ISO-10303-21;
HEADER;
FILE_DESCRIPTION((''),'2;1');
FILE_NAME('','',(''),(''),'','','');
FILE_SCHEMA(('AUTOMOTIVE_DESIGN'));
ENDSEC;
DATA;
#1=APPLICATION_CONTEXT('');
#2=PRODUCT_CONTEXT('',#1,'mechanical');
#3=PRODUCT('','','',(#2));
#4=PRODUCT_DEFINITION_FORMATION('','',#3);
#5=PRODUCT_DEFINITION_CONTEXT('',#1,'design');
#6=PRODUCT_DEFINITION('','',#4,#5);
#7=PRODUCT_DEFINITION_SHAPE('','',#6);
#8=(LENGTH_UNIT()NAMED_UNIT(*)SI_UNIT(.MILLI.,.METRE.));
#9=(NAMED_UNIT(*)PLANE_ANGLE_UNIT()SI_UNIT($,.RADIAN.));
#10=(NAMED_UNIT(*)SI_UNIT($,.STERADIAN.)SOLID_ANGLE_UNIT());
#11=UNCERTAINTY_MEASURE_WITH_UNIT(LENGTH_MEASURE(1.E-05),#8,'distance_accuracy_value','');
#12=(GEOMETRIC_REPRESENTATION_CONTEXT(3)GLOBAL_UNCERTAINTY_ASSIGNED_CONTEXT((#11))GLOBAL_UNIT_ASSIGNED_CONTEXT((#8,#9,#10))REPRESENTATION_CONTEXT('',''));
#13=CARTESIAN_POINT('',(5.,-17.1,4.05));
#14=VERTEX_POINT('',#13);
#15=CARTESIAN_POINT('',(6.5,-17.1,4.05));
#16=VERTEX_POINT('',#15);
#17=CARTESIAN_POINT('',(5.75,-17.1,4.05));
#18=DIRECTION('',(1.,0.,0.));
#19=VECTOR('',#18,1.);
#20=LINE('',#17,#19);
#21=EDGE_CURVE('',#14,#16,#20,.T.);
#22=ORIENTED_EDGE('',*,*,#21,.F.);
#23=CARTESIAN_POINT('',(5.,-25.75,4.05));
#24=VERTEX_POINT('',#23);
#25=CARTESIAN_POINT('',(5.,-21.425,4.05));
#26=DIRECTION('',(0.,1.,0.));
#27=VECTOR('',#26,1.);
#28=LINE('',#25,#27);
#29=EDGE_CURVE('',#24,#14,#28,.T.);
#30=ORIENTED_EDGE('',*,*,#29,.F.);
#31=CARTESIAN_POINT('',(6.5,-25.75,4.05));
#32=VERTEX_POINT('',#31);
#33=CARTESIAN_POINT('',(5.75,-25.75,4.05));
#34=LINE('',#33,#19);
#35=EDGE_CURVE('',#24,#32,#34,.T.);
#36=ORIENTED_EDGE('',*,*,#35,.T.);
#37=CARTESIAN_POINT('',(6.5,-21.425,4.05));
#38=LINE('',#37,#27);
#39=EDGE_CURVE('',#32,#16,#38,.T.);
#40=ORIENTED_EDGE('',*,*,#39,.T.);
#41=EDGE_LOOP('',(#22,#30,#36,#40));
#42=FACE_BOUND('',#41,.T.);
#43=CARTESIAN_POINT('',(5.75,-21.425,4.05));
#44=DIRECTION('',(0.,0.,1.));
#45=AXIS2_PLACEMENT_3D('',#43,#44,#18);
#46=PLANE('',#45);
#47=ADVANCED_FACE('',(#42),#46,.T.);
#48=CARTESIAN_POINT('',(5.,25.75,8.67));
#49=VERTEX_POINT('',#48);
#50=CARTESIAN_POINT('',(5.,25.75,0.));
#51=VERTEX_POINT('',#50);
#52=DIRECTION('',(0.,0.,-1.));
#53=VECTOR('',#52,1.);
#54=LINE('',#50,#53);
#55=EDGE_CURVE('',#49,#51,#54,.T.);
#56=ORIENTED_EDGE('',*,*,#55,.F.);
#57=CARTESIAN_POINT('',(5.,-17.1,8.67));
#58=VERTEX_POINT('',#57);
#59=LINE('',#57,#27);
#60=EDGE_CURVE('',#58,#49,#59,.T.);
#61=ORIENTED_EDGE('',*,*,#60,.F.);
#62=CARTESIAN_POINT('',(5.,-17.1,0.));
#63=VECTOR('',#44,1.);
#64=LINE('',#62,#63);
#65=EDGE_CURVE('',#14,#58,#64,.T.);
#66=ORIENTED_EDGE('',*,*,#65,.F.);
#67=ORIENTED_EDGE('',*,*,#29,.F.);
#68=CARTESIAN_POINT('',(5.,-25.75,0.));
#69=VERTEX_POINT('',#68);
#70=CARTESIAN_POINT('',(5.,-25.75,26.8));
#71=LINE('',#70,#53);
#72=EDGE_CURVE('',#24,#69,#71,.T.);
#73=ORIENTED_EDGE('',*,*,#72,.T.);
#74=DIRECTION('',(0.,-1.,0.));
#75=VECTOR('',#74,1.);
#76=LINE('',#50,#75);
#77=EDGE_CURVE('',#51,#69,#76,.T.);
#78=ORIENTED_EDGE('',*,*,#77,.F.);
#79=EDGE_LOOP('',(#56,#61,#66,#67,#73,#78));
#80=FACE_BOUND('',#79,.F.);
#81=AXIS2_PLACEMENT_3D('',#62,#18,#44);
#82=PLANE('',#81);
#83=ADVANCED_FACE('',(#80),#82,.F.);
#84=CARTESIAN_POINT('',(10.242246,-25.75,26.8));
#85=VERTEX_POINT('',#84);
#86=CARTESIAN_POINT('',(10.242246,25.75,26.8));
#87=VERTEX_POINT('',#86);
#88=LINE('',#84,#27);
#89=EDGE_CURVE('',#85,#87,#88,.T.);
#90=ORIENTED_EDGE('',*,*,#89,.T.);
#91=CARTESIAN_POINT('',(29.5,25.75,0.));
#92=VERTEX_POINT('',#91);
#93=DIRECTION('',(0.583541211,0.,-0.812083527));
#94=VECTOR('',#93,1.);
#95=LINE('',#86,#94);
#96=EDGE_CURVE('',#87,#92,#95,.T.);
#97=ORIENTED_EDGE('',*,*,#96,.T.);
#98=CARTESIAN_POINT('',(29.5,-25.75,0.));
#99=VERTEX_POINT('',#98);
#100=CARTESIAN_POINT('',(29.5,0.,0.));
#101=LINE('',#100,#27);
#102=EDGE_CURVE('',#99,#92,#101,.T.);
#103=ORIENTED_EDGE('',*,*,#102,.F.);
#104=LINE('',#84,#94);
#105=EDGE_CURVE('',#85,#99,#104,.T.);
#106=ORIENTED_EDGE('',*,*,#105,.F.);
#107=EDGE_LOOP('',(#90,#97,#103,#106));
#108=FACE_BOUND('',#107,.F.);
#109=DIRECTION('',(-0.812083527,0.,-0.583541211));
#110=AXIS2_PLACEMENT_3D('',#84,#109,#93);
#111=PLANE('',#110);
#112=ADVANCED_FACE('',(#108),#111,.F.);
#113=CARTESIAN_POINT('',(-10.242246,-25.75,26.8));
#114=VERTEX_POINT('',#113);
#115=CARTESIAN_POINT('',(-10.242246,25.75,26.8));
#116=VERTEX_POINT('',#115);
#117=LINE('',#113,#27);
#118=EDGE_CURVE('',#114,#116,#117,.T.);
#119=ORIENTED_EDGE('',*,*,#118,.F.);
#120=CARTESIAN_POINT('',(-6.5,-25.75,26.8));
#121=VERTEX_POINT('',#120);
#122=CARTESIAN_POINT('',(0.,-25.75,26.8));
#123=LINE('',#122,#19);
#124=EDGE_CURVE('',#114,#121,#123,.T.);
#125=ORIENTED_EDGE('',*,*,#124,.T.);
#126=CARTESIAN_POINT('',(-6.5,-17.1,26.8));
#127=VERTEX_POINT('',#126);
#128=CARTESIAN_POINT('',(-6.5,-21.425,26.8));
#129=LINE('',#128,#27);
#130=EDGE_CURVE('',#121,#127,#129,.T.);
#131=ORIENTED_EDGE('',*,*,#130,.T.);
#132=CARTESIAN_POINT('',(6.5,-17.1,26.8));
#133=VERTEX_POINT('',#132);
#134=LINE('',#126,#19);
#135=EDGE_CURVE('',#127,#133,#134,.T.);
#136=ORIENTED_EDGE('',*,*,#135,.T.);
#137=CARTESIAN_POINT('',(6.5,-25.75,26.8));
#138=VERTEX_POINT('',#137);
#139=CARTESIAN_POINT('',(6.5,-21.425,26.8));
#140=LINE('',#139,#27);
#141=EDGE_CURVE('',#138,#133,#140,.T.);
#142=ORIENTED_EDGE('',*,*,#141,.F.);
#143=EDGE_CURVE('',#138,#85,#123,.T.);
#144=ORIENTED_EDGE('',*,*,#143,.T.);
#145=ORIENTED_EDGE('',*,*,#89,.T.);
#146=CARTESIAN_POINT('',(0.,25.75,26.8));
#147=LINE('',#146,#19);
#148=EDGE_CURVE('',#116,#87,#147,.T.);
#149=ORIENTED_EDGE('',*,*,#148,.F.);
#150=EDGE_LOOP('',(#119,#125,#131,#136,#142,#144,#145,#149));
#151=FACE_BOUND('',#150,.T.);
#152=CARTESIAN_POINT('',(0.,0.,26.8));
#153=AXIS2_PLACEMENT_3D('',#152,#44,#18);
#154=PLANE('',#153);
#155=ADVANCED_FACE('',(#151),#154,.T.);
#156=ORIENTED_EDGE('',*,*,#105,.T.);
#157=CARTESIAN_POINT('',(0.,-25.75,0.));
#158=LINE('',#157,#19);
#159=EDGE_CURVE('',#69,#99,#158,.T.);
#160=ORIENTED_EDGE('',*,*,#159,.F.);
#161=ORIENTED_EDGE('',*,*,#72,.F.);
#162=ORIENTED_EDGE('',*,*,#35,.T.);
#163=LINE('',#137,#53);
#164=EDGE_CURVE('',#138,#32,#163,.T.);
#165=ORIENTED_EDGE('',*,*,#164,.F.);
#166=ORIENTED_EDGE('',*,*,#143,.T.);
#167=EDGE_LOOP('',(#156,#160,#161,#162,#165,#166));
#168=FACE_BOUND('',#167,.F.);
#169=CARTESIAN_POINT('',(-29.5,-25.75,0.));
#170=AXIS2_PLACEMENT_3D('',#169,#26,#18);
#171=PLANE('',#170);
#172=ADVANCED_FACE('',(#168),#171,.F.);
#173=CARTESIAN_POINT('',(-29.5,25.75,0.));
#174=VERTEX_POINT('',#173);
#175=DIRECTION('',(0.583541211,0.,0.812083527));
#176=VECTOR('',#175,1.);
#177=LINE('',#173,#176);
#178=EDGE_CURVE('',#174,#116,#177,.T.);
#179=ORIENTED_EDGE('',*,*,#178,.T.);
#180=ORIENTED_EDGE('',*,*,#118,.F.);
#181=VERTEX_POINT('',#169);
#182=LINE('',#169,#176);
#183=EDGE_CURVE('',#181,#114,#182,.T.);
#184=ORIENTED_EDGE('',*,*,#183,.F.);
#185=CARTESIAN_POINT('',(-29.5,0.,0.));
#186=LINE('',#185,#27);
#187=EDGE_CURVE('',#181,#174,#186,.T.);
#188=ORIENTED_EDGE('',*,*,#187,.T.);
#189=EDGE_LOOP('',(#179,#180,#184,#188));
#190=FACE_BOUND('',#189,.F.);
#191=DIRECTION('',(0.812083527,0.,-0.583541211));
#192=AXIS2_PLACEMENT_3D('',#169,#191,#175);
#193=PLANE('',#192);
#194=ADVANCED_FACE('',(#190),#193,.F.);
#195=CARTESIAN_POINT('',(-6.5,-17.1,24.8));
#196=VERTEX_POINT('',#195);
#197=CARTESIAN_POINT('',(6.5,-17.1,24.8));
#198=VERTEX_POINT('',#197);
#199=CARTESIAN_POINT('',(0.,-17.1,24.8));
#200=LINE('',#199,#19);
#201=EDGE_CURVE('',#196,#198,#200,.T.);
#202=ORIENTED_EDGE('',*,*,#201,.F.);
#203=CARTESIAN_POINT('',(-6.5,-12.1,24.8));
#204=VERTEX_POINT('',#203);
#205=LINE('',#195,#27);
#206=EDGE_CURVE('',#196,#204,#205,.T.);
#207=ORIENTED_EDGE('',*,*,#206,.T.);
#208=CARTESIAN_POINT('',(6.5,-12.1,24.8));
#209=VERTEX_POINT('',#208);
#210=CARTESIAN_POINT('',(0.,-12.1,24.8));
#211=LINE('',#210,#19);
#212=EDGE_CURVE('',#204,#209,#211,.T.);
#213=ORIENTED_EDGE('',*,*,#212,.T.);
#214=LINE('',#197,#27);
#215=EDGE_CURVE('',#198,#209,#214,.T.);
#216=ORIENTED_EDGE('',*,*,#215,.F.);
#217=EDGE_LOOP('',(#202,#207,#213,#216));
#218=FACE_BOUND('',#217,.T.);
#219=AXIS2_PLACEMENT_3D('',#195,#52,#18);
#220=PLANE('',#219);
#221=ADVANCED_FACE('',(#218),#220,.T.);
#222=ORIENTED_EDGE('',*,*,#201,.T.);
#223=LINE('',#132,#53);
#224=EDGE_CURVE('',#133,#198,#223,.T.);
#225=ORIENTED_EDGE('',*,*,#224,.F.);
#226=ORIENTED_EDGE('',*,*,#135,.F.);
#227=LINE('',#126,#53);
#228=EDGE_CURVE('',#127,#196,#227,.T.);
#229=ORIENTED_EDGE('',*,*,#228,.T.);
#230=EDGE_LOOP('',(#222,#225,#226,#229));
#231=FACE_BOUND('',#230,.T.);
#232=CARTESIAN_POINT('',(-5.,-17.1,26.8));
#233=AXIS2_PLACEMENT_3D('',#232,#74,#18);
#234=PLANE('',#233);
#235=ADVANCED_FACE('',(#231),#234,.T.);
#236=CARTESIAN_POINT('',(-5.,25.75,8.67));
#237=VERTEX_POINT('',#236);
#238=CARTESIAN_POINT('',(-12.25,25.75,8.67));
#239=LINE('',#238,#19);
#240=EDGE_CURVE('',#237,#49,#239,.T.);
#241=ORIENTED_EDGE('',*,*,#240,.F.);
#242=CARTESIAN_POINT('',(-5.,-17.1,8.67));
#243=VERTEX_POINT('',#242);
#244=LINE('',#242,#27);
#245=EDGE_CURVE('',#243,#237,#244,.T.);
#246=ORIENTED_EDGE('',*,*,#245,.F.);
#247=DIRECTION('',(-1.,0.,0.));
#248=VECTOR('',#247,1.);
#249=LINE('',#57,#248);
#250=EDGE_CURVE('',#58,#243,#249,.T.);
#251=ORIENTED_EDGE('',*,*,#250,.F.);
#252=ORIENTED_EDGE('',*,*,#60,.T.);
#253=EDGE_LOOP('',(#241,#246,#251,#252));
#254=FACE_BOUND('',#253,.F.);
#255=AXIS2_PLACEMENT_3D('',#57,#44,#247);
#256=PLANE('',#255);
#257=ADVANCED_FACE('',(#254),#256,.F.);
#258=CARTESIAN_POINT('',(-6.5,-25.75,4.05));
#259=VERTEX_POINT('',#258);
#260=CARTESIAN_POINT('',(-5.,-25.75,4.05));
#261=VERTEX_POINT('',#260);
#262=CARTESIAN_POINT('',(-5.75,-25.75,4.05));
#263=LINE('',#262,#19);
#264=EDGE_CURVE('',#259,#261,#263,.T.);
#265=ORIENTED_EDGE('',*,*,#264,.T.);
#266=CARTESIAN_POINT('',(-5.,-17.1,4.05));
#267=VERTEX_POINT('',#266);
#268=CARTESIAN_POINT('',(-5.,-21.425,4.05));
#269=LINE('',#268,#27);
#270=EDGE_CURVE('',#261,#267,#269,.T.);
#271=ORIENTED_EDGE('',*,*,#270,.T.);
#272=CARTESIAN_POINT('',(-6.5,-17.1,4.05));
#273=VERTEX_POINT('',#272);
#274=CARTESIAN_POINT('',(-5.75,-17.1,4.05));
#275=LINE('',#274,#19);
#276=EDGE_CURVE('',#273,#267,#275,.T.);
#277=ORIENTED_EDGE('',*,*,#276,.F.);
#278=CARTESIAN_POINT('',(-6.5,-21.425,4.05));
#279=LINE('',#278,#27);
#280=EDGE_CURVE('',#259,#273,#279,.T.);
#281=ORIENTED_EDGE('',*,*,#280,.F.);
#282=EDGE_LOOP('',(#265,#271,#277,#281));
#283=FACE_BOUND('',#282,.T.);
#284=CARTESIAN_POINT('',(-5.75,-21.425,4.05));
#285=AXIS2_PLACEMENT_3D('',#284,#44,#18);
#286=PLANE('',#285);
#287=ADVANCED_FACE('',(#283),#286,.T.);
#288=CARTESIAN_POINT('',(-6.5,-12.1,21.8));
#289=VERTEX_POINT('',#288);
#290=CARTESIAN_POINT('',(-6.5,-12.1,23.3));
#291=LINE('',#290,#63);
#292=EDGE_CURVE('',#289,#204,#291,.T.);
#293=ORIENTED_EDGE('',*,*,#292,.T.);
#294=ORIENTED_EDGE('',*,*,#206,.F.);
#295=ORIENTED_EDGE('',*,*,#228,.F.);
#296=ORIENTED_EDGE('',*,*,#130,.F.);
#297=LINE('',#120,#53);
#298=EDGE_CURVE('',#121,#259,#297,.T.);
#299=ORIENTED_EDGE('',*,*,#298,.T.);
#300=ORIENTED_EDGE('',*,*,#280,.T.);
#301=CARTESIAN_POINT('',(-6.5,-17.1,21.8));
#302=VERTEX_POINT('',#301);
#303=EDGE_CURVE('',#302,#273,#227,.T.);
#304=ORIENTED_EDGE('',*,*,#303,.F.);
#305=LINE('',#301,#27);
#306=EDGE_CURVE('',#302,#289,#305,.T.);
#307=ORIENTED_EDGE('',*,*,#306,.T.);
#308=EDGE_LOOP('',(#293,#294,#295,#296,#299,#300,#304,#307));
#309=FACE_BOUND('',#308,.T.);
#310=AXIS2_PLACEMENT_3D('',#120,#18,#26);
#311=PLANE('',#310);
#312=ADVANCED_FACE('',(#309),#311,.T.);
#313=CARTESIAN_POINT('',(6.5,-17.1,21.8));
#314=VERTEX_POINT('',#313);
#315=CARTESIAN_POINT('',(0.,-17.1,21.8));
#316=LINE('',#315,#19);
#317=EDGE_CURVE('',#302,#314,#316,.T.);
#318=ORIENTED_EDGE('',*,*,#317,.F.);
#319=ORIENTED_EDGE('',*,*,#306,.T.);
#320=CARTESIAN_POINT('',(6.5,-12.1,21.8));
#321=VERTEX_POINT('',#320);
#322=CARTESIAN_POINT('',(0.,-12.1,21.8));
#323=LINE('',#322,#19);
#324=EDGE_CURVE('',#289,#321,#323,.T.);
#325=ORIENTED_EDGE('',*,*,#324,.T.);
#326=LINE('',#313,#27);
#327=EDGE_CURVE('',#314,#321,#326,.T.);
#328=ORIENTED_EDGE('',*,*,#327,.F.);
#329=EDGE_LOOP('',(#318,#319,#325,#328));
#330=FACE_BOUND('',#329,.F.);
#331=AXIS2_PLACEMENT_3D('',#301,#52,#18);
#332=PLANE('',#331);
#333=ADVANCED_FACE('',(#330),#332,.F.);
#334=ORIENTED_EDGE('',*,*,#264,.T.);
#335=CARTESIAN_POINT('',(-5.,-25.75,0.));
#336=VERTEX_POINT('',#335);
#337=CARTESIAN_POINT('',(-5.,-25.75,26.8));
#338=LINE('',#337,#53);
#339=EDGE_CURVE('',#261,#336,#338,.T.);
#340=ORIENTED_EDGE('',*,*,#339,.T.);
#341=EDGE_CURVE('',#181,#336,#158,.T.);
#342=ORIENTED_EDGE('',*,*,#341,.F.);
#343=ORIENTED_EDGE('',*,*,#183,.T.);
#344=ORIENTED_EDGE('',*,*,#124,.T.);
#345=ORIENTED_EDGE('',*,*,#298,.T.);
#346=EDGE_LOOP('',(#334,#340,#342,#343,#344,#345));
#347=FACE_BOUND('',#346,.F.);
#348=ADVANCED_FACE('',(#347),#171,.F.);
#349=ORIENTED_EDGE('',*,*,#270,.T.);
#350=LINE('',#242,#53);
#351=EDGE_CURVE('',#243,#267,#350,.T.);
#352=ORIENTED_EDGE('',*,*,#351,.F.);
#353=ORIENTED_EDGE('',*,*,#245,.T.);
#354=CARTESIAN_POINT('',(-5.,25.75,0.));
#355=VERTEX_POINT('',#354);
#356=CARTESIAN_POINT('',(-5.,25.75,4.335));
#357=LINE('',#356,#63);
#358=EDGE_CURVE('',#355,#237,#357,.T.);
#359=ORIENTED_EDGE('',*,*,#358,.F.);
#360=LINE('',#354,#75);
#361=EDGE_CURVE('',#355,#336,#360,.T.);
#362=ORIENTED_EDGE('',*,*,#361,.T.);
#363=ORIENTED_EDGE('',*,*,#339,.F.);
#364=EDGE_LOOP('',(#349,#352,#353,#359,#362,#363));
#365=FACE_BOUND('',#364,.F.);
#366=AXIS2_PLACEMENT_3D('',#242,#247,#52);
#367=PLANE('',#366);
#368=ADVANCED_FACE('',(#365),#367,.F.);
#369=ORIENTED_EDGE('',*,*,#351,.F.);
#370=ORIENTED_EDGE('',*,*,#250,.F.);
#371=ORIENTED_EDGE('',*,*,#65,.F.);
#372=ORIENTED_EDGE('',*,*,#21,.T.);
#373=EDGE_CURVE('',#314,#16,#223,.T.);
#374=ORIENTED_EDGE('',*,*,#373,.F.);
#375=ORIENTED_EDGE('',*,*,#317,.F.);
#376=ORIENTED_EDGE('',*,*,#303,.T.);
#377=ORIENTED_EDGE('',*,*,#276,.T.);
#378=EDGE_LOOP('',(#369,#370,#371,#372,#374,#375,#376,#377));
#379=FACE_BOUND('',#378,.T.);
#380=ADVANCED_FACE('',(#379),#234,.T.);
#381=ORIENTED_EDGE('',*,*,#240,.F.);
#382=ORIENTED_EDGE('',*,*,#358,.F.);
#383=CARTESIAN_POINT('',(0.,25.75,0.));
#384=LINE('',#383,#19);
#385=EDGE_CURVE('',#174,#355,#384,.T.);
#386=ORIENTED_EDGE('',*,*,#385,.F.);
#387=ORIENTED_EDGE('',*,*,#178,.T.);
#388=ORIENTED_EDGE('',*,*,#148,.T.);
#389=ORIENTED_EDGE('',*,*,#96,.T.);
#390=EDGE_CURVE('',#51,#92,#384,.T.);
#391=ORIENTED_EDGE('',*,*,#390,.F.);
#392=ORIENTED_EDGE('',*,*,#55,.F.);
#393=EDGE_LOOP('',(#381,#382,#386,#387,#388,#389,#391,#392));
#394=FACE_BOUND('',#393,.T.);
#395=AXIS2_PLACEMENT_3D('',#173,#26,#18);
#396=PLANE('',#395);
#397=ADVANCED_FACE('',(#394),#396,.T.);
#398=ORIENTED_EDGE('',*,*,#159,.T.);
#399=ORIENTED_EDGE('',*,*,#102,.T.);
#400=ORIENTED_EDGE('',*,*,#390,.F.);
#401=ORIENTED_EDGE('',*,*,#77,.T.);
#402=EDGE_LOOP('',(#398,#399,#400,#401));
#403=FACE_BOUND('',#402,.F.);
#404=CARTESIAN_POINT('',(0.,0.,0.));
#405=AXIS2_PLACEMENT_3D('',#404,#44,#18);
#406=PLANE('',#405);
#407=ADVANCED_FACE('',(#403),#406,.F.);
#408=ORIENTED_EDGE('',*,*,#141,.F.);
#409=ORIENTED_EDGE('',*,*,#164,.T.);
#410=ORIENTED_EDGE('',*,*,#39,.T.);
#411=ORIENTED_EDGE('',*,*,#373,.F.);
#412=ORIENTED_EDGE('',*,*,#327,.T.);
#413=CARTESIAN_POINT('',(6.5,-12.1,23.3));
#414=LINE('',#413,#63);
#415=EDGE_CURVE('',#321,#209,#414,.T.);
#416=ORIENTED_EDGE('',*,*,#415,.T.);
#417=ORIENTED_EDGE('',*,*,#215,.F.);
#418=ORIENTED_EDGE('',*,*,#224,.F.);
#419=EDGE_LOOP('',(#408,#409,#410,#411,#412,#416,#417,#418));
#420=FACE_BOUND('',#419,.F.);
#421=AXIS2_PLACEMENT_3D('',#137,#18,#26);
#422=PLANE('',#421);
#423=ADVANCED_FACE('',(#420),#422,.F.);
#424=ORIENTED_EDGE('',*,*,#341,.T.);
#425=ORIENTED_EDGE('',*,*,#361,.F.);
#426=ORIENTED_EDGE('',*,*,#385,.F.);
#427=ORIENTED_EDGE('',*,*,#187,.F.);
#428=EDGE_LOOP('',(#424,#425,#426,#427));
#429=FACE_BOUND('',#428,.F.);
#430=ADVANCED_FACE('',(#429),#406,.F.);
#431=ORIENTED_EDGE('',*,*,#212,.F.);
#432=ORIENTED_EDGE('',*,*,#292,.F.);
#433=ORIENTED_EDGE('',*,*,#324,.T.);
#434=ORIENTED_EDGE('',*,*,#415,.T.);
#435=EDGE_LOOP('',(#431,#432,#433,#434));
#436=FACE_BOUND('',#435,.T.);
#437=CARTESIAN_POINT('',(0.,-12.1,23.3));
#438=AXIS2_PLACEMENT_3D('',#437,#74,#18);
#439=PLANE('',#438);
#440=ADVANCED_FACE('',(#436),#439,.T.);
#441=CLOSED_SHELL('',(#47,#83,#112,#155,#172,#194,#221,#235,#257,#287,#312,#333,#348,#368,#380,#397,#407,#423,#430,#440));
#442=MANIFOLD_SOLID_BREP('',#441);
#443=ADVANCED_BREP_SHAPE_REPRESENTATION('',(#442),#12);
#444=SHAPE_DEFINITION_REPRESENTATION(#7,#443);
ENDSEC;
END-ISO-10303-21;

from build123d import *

# Parameters (mm, degrees)
F0_W      = 59
F0_H      = 51.5
F1_DEPTH  = 26.8
F2_W      = 10
F2_H      = 8.65
F3_DEPTH  = 26.8
F4_W      = 1.5
F4_H      = 8.65
F5_DEPTH  = 22.75
F7_DEPTH  = 51.5
F9_DEPTH  = 51.5
F11_DEPTH = 51.5
F12_W     = 13
F12_H     = 3
F13_DEPTH = 5


with BuildPart() as f1:
    # F0 (on Top) → F1 (new body)
    with BuildSketch(Plane.XY):
        Rectangle(F0_W, F0_H)
    extrude(amount=F1_DEPTH)

    # F2 (on face) → F3 (cut)
    with BuildSketch(Plane.XY.offset(26.8)):
        with Locations((0, -21.425)):
            Rectangle(F2_W, F2_H)
    extrude(amount=-F3_DEPTH, mode=Mode.SUBTRACT)

    # F4 (on face) → F5 (cut)
    with BuildSketch(Plane.XY.offset(26.8)):
        with Locations((-5.75, -21.425)):
            Rectangle(F4_W, F4_H)
        with Locations((5.75, -21.425)):
            Rectangle(F4_W, F4_H)
    extrude(amount=-F5_DEPTH, mode=Mode.SUBTRACT)

    # F6 (on face) → F7 (cut)
    with BuildSketch(Plane.XZ.offset(25.75)):
        Polygon((-29.5, 26.8), (-29.5, 0), (-10.242246399, 26.8), align=None)
    extrude(amount=-F7_DEPTH, mode=Mode.SUBTRACT)

    # F8 (on face) → F9 (cut)
    with BuildSketch(Plane.XZ.offset(25.75)):
        Polygon((10.242246399, 26.8), (29.5, 0), (29.5, 26.8), align=None)
    extrude(amount=-F9_DEPTH, mode=Mode.SUBTRACT)

    # F10 (on face) → F11 (cut)
    with BuildSketch(Plane.XZ.offset(17.1)):
        Polygon((5, 8.67), (-5, 8.67), (-5, 4.05), (-5, 0), (5, 0), (5, 4.05), align=None)
    extrude(amount=-F11_DEPTH, mode=Mode.SUBTRACT)

    # F12 (on face) → F13 (cut)
    with BuildSketch(Plane.XZ.offset(17.1)):
        with Locations((0, 23.3)):
            Rectangle(F12_W, F12_H)
    extrude(amount=-F13_DEPTH, mode=Mode.SUBTRACT)


solid = f1.part
